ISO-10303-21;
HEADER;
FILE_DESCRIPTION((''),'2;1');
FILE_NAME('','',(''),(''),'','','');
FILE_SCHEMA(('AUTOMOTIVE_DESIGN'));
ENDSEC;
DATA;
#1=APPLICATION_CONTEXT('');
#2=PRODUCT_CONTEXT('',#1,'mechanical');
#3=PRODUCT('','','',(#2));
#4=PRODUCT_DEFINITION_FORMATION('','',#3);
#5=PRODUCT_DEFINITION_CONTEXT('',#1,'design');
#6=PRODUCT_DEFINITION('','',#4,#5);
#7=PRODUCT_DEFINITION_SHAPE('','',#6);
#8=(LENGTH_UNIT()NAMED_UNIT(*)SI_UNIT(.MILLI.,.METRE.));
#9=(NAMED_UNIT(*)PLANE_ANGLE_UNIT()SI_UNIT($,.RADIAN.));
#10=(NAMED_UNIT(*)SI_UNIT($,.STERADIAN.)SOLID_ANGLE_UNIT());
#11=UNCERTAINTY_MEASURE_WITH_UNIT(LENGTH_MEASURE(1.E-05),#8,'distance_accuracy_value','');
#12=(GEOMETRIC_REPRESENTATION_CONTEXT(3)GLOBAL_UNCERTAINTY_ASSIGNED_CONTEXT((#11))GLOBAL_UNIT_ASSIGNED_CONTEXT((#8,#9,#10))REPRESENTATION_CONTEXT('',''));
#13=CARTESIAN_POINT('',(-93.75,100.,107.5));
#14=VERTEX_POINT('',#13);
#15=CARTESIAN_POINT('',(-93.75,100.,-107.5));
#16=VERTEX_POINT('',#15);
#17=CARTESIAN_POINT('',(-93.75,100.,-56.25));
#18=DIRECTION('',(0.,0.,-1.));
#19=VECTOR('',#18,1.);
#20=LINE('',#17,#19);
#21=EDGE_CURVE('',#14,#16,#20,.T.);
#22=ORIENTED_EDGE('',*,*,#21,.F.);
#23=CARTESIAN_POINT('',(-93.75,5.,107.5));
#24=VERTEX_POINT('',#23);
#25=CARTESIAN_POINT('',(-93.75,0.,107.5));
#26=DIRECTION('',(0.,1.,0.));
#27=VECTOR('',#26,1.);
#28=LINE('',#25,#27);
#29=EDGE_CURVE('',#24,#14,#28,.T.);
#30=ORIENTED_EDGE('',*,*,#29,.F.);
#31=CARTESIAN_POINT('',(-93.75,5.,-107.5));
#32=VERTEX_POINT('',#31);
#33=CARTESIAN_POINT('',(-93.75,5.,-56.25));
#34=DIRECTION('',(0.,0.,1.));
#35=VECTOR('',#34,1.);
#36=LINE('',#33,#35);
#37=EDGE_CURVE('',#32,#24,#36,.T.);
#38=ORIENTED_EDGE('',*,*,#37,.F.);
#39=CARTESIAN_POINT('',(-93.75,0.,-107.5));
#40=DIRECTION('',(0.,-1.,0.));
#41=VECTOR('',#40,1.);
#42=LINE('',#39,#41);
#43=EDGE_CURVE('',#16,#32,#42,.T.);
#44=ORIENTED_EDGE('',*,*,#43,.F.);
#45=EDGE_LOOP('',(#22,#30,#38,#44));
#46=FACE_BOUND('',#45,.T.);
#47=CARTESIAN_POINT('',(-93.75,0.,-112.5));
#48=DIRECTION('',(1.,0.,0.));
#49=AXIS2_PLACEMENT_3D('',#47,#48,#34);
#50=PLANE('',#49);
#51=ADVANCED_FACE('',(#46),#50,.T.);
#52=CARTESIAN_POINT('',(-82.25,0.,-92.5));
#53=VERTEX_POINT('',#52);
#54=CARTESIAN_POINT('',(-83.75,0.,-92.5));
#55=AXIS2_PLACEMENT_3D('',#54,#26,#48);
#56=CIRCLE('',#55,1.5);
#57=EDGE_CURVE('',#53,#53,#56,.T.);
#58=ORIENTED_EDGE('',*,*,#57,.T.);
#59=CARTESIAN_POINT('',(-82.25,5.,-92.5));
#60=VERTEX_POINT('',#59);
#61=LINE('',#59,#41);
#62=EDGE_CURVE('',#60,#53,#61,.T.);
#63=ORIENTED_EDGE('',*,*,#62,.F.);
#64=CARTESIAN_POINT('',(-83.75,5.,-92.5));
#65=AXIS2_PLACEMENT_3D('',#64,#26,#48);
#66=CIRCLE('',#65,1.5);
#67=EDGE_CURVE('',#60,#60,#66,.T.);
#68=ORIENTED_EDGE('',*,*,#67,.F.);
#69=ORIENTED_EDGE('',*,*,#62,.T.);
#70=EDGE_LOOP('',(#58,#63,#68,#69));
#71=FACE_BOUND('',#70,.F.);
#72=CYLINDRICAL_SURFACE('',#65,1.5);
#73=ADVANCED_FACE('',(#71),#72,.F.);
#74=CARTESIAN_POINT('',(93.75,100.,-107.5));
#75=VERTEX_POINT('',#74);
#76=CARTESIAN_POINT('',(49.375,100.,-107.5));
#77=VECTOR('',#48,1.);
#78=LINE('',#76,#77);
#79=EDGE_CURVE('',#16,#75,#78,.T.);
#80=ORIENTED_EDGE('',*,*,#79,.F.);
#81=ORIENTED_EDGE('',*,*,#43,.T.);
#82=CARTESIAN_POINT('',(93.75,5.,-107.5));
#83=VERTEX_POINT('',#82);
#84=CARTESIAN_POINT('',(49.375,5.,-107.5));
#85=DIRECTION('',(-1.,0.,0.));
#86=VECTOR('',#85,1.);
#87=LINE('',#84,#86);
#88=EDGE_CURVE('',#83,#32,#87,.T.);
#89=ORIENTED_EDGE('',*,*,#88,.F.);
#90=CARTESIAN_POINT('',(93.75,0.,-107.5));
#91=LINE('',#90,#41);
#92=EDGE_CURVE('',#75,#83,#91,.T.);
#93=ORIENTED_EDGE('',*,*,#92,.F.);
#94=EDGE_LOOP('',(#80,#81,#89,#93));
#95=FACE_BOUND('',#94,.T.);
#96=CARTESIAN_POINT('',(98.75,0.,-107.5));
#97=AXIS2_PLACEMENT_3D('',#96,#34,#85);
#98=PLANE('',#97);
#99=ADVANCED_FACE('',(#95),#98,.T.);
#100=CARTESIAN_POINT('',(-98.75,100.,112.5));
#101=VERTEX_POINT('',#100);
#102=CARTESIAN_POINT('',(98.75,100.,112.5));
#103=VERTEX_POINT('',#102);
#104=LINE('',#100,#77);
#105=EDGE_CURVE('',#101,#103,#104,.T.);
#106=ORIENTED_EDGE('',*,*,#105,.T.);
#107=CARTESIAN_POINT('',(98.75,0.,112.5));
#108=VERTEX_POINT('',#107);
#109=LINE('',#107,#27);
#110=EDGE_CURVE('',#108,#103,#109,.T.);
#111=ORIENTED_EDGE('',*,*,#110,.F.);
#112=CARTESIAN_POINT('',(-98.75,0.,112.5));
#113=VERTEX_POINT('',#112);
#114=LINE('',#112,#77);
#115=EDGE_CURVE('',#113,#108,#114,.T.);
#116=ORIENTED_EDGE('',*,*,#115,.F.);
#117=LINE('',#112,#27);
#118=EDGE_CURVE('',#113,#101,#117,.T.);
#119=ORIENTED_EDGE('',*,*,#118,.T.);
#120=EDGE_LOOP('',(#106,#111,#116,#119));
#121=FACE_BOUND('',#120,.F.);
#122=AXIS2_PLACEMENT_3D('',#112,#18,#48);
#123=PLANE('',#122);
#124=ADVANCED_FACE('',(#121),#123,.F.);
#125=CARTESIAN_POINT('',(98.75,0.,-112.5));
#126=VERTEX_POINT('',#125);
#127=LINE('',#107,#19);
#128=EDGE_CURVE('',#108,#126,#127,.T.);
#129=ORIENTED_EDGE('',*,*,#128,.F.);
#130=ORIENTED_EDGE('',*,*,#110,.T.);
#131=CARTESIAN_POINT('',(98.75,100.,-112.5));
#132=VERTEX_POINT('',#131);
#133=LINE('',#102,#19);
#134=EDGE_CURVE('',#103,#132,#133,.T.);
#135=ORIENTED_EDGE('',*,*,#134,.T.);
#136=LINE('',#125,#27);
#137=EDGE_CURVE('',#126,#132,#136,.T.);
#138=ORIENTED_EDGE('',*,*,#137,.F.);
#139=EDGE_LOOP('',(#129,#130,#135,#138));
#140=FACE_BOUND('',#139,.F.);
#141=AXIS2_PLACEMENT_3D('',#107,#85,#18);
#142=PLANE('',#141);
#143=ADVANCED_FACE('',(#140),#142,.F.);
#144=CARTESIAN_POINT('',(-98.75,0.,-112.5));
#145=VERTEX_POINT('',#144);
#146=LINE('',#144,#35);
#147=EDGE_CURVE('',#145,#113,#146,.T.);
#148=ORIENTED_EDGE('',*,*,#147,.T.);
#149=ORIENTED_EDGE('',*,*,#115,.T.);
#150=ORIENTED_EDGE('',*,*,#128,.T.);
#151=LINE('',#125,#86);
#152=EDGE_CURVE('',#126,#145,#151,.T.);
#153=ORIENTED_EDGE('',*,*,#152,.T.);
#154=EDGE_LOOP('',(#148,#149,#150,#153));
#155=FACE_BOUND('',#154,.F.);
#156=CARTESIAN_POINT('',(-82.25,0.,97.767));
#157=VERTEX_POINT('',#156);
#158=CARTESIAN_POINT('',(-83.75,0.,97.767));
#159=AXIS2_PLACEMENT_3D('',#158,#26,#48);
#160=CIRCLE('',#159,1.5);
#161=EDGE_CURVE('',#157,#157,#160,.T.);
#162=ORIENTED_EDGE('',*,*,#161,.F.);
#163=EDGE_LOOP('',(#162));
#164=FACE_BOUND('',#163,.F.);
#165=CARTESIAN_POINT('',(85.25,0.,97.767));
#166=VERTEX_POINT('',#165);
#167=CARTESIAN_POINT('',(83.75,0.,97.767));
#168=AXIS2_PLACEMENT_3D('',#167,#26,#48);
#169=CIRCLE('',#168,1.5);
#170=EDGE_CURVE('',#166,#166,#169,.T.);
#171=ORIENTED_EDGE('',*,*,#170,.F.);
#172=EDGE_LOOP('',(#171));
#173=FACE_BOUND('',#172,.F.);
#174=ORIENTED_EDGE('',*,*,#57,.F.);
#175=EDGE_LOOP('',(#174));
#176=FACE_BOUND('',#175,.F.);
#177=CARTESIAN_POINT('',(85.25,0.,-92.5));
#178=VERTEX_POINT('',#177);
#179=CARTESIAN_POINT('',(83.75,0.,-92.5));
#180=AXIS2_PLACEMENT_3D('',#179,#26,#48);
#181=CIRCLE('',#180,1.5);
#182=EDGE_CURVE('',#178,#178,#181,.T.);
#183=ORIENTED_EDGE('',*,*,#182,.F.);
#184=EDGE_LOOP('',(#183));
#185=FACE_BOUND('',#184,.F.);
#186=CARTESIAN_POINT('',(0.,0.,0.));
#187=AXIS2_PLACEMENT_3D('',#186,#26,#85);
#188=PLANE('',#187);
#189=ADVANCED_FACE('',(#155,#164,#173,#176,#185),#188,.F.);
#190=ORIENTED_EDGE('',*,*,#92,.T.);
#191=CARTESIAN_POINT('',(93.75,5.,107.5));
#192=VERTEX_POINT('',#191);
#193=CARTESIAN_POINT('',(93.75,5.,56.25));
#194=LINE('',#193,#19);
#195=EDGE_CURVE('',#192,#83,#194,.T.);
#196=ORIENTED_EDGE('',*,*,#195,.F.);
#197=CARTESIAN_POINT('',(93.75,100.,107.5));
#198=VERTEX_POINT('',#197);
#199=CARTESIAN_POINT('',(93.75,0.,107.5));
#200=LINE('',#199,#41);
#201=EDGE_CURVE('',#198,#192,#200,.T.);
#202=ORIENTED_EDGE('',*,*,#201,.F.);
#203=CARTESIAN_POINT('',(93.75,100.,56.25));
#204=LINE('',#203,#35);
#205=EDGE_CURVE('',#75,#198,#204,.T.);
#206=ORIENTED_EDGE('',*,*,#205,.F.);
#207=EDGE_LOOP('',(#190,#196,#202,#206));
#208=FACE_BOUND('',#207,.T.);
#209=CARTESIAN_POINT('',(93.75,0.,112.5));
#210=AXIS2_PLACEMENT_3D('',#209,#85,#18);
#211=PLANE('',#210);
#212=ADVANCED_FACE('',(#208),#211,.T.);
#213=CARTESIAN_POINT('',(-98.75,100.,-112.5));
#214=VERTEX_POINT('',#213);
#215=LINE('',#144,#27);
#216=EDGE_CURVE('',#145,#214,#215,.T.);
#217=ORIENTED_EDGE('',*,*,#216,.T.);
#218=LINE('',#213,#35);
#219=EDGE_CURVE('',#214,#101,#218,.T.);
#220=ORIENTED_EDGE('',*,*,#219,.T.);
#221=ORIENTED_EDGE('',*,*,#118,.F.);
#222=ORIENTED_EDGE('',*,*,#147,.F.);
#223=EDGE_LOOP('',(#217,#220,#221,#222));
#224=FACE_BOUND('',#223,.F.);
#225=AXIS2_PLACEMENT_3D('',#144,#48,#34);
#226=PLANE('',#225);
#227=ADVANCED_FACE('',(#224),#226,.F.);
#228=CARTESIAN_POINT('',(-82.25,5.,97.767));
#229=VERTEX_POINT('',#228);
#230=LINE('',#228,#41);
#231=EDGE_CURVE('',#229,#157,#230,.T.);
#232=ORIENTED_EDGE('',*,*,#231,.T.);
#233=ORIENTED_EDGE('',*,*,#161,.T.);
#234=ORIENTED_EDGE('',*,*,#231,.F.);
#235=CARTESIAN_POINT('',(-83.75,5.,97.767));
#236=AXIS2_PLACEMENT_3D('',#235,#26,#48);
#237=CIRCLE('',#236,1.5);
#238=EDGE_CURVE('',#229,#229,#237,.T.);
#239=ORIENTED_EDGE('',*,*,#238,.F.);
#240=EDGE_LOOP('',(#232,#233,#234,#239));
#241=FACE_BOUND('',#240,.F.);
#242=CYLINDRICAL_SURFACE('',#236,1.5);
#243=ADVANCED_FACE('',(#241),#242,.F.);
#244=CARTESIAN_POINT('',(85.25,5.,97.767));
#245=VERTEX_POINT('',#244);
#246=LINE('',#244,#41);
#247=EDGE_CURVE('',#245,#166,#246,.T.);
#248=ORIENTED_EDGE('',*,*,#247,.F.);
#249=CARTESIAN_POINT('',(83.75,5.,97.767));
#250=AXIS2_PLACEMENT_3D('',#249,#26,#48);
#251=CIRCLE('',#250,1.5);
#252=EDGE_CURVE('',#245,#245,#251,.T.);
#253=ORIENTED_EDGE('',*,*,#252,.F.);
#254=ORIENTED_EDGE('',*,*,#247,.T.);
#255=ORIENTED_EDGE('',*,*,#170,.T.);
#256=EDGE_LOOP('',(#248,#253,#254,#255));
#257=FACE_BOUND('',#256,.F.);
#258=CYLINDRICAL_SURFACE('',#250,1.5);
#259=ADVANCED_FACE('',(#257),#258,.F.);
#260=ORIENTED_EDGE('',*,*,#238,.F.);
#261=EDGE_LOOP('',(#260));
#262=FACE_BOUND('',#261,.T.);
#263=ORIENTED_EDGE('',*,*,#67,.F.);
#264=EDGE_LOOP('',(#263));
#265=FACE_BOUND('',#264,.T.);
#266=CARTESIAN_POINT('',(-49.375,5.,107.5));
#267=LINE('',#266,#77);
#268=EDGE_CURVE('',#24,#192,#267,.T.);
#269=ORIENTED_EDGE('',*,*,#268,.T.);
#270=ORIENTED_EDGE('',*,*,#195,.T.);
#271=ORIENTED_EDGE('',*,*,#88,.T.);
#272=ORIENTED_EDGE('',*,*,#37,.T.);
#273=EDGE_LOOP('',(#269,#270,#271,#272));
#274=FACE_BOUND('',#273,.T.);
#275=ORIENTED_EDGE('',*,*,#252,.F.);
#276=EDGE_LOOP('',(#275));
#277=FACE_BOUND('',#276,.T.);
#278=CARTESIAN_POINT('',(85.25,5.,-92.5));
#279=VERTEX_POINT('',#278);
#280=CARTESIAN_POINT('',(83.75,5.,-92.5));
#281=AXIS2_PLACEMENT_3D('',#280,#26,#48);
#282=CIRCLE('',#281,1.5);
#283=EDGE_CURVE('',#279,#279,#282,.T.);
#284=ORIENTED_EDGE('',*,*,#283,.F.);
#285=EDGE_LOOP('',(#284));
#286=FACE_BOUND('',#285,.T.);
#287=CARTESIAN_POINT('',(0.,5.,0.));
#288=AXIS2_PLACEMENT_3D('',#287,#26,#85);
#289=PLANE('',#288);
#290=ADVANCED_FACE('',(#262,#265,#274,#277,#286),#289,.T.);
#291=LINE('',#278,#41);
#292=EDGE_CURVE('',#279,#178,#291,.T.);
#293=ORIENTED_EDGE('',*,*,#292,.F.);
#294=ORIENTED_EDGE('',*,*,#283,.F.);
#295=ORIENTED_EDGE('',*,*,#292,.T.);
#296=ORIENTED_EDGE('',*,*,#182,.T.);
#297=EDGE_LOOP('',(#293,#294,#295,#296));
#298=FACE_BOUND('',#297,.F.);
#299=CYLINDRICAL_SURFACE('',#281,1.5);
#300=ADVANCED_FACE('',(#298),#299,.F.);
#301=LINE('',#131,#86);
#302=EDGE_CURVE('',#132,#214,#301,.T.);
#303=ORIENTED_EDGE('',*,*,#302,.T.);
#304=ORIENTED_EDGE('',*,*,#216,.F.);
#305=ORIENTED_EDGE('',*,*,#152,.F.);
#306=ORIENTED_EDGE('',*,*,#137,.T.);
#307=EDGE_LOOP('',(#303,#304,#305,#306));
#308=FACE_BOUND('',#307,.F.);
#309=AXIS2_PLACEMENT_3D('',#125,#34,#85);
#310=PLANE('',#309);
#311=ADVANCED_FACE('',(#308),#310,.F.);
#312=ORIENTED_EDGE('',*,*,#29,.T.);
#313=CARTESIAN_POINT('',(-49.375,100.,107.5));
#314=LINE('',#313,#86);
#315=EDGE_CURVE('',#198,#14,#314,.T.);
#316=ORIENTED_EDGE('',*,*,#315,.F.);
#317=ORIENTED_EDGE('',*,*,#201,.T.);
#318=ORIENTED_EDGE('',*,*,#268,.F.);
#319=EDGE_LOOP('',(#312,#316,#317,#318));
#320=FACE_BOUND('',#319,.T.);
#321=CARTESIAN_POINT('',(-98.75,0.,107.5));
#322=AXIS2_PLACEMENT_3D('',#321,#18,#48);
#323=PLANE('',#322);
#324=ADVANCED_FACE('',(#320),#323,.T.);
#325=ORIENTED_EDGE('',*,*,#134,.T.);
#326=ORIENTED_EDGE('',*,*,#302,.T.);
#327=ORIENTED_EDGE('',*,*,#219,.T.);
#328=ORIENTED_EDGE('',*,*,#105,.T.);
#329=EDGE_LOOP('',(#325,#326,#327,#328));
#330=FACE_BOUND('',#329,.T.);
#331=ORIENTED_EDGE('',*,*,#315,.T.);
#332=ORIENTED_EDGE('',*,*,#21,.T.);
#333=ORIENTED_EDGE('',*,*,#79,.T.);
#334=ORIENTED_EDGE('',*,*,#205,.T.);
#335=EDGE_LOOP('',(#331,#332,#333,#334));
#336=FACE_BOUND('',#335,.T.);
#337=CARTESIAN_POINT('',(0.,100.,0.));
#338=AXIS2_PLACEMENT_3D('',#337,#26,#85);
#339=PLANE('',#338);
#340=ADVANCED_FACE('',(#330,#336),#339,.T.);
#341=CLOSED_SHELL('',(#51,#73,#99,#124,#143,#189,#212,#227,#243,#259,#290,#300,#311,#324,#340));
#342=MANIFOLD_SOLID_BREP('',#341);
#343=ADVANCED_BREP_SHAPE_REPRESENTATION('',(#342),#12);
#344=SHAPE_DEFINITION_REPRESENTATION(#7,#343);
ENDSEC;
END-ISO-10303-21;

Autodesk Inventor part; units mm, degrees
ref_plane "YZ Plane" through (0, 0, 0) normal (1, 0, 0) x (0, 1, 0)
ref_plane "XZ Plane" through (0, 0, 0) normal (0, 1, 0) x (-1, 0, 0)
ref_plane "XY Plane" through (0, 0, 0) normal (0, 0, 1) x (1, 0, 0)
sketch "Sketch1" plane through (0, 0, 0) normal (0, 1, 0) x (-1, 0, 0)
  line L0 (98.75, 112.5) -> (-98.75, 112.5)
  line L1 (-98.75, 112.5) -> (-98.75, -112.5)
  line L2 (-98.75, -112.5) -> (98.75, -112.5)
  line L3 (98.75, -112.5) -> (98.75, 112.5)
  line L4 (98.75, 112.5) -> (-98.75, -112.5) construction
  line L5 (-98.75, 112.5) -> (98.75, -112.5) construction
  point P0 (0, 0)
  dimension "d0" = 197.5
  dimension "d1" = 225
extrude "Extrusion1" add sketch "Sketch1" along normal blind 100
shell "Shell1" thickness 5 removed faces 1 at (32.9167, 100, 37.5)
sketch "Sketch2" plane through (-93.75, 5, -107.5) normal (0, 1, 0) x (1, 0, 0)
  circle A0 centre (10, -15) radius 1.5
  line L0 (187.5, -215) -> (0, -215) projected
  line L1 (93.75, -215) -> (93.75, 0)
  line L2 (0, 0) -> (187.5, 0) projected
  line L3 (187.5, -215) -> (187.5, 0) projected
  line L4 (0, -215) -> (0, 0) projected
  line L5 (192.5, 5) -> (-5, 5) projected
  circle A1 centre (10, -205.267) radius 1.5
  circle A2 centre (177.5, -15) radius 1.5
  circle A3 centre (177.5, -205.267) radius 1.5
  point P0 (93.75, -107.5)
  dimension "d5" = 3
  dimension "d6" = 20
  dimension "d7" = 3
  dimension "d8" = 190.267
  dimension "d9" = 10
extrude "Extrusion2" cut sketch "Sketch2" against normal through all contours A0 | A1 | A2 | A3
properties part number "Box"
